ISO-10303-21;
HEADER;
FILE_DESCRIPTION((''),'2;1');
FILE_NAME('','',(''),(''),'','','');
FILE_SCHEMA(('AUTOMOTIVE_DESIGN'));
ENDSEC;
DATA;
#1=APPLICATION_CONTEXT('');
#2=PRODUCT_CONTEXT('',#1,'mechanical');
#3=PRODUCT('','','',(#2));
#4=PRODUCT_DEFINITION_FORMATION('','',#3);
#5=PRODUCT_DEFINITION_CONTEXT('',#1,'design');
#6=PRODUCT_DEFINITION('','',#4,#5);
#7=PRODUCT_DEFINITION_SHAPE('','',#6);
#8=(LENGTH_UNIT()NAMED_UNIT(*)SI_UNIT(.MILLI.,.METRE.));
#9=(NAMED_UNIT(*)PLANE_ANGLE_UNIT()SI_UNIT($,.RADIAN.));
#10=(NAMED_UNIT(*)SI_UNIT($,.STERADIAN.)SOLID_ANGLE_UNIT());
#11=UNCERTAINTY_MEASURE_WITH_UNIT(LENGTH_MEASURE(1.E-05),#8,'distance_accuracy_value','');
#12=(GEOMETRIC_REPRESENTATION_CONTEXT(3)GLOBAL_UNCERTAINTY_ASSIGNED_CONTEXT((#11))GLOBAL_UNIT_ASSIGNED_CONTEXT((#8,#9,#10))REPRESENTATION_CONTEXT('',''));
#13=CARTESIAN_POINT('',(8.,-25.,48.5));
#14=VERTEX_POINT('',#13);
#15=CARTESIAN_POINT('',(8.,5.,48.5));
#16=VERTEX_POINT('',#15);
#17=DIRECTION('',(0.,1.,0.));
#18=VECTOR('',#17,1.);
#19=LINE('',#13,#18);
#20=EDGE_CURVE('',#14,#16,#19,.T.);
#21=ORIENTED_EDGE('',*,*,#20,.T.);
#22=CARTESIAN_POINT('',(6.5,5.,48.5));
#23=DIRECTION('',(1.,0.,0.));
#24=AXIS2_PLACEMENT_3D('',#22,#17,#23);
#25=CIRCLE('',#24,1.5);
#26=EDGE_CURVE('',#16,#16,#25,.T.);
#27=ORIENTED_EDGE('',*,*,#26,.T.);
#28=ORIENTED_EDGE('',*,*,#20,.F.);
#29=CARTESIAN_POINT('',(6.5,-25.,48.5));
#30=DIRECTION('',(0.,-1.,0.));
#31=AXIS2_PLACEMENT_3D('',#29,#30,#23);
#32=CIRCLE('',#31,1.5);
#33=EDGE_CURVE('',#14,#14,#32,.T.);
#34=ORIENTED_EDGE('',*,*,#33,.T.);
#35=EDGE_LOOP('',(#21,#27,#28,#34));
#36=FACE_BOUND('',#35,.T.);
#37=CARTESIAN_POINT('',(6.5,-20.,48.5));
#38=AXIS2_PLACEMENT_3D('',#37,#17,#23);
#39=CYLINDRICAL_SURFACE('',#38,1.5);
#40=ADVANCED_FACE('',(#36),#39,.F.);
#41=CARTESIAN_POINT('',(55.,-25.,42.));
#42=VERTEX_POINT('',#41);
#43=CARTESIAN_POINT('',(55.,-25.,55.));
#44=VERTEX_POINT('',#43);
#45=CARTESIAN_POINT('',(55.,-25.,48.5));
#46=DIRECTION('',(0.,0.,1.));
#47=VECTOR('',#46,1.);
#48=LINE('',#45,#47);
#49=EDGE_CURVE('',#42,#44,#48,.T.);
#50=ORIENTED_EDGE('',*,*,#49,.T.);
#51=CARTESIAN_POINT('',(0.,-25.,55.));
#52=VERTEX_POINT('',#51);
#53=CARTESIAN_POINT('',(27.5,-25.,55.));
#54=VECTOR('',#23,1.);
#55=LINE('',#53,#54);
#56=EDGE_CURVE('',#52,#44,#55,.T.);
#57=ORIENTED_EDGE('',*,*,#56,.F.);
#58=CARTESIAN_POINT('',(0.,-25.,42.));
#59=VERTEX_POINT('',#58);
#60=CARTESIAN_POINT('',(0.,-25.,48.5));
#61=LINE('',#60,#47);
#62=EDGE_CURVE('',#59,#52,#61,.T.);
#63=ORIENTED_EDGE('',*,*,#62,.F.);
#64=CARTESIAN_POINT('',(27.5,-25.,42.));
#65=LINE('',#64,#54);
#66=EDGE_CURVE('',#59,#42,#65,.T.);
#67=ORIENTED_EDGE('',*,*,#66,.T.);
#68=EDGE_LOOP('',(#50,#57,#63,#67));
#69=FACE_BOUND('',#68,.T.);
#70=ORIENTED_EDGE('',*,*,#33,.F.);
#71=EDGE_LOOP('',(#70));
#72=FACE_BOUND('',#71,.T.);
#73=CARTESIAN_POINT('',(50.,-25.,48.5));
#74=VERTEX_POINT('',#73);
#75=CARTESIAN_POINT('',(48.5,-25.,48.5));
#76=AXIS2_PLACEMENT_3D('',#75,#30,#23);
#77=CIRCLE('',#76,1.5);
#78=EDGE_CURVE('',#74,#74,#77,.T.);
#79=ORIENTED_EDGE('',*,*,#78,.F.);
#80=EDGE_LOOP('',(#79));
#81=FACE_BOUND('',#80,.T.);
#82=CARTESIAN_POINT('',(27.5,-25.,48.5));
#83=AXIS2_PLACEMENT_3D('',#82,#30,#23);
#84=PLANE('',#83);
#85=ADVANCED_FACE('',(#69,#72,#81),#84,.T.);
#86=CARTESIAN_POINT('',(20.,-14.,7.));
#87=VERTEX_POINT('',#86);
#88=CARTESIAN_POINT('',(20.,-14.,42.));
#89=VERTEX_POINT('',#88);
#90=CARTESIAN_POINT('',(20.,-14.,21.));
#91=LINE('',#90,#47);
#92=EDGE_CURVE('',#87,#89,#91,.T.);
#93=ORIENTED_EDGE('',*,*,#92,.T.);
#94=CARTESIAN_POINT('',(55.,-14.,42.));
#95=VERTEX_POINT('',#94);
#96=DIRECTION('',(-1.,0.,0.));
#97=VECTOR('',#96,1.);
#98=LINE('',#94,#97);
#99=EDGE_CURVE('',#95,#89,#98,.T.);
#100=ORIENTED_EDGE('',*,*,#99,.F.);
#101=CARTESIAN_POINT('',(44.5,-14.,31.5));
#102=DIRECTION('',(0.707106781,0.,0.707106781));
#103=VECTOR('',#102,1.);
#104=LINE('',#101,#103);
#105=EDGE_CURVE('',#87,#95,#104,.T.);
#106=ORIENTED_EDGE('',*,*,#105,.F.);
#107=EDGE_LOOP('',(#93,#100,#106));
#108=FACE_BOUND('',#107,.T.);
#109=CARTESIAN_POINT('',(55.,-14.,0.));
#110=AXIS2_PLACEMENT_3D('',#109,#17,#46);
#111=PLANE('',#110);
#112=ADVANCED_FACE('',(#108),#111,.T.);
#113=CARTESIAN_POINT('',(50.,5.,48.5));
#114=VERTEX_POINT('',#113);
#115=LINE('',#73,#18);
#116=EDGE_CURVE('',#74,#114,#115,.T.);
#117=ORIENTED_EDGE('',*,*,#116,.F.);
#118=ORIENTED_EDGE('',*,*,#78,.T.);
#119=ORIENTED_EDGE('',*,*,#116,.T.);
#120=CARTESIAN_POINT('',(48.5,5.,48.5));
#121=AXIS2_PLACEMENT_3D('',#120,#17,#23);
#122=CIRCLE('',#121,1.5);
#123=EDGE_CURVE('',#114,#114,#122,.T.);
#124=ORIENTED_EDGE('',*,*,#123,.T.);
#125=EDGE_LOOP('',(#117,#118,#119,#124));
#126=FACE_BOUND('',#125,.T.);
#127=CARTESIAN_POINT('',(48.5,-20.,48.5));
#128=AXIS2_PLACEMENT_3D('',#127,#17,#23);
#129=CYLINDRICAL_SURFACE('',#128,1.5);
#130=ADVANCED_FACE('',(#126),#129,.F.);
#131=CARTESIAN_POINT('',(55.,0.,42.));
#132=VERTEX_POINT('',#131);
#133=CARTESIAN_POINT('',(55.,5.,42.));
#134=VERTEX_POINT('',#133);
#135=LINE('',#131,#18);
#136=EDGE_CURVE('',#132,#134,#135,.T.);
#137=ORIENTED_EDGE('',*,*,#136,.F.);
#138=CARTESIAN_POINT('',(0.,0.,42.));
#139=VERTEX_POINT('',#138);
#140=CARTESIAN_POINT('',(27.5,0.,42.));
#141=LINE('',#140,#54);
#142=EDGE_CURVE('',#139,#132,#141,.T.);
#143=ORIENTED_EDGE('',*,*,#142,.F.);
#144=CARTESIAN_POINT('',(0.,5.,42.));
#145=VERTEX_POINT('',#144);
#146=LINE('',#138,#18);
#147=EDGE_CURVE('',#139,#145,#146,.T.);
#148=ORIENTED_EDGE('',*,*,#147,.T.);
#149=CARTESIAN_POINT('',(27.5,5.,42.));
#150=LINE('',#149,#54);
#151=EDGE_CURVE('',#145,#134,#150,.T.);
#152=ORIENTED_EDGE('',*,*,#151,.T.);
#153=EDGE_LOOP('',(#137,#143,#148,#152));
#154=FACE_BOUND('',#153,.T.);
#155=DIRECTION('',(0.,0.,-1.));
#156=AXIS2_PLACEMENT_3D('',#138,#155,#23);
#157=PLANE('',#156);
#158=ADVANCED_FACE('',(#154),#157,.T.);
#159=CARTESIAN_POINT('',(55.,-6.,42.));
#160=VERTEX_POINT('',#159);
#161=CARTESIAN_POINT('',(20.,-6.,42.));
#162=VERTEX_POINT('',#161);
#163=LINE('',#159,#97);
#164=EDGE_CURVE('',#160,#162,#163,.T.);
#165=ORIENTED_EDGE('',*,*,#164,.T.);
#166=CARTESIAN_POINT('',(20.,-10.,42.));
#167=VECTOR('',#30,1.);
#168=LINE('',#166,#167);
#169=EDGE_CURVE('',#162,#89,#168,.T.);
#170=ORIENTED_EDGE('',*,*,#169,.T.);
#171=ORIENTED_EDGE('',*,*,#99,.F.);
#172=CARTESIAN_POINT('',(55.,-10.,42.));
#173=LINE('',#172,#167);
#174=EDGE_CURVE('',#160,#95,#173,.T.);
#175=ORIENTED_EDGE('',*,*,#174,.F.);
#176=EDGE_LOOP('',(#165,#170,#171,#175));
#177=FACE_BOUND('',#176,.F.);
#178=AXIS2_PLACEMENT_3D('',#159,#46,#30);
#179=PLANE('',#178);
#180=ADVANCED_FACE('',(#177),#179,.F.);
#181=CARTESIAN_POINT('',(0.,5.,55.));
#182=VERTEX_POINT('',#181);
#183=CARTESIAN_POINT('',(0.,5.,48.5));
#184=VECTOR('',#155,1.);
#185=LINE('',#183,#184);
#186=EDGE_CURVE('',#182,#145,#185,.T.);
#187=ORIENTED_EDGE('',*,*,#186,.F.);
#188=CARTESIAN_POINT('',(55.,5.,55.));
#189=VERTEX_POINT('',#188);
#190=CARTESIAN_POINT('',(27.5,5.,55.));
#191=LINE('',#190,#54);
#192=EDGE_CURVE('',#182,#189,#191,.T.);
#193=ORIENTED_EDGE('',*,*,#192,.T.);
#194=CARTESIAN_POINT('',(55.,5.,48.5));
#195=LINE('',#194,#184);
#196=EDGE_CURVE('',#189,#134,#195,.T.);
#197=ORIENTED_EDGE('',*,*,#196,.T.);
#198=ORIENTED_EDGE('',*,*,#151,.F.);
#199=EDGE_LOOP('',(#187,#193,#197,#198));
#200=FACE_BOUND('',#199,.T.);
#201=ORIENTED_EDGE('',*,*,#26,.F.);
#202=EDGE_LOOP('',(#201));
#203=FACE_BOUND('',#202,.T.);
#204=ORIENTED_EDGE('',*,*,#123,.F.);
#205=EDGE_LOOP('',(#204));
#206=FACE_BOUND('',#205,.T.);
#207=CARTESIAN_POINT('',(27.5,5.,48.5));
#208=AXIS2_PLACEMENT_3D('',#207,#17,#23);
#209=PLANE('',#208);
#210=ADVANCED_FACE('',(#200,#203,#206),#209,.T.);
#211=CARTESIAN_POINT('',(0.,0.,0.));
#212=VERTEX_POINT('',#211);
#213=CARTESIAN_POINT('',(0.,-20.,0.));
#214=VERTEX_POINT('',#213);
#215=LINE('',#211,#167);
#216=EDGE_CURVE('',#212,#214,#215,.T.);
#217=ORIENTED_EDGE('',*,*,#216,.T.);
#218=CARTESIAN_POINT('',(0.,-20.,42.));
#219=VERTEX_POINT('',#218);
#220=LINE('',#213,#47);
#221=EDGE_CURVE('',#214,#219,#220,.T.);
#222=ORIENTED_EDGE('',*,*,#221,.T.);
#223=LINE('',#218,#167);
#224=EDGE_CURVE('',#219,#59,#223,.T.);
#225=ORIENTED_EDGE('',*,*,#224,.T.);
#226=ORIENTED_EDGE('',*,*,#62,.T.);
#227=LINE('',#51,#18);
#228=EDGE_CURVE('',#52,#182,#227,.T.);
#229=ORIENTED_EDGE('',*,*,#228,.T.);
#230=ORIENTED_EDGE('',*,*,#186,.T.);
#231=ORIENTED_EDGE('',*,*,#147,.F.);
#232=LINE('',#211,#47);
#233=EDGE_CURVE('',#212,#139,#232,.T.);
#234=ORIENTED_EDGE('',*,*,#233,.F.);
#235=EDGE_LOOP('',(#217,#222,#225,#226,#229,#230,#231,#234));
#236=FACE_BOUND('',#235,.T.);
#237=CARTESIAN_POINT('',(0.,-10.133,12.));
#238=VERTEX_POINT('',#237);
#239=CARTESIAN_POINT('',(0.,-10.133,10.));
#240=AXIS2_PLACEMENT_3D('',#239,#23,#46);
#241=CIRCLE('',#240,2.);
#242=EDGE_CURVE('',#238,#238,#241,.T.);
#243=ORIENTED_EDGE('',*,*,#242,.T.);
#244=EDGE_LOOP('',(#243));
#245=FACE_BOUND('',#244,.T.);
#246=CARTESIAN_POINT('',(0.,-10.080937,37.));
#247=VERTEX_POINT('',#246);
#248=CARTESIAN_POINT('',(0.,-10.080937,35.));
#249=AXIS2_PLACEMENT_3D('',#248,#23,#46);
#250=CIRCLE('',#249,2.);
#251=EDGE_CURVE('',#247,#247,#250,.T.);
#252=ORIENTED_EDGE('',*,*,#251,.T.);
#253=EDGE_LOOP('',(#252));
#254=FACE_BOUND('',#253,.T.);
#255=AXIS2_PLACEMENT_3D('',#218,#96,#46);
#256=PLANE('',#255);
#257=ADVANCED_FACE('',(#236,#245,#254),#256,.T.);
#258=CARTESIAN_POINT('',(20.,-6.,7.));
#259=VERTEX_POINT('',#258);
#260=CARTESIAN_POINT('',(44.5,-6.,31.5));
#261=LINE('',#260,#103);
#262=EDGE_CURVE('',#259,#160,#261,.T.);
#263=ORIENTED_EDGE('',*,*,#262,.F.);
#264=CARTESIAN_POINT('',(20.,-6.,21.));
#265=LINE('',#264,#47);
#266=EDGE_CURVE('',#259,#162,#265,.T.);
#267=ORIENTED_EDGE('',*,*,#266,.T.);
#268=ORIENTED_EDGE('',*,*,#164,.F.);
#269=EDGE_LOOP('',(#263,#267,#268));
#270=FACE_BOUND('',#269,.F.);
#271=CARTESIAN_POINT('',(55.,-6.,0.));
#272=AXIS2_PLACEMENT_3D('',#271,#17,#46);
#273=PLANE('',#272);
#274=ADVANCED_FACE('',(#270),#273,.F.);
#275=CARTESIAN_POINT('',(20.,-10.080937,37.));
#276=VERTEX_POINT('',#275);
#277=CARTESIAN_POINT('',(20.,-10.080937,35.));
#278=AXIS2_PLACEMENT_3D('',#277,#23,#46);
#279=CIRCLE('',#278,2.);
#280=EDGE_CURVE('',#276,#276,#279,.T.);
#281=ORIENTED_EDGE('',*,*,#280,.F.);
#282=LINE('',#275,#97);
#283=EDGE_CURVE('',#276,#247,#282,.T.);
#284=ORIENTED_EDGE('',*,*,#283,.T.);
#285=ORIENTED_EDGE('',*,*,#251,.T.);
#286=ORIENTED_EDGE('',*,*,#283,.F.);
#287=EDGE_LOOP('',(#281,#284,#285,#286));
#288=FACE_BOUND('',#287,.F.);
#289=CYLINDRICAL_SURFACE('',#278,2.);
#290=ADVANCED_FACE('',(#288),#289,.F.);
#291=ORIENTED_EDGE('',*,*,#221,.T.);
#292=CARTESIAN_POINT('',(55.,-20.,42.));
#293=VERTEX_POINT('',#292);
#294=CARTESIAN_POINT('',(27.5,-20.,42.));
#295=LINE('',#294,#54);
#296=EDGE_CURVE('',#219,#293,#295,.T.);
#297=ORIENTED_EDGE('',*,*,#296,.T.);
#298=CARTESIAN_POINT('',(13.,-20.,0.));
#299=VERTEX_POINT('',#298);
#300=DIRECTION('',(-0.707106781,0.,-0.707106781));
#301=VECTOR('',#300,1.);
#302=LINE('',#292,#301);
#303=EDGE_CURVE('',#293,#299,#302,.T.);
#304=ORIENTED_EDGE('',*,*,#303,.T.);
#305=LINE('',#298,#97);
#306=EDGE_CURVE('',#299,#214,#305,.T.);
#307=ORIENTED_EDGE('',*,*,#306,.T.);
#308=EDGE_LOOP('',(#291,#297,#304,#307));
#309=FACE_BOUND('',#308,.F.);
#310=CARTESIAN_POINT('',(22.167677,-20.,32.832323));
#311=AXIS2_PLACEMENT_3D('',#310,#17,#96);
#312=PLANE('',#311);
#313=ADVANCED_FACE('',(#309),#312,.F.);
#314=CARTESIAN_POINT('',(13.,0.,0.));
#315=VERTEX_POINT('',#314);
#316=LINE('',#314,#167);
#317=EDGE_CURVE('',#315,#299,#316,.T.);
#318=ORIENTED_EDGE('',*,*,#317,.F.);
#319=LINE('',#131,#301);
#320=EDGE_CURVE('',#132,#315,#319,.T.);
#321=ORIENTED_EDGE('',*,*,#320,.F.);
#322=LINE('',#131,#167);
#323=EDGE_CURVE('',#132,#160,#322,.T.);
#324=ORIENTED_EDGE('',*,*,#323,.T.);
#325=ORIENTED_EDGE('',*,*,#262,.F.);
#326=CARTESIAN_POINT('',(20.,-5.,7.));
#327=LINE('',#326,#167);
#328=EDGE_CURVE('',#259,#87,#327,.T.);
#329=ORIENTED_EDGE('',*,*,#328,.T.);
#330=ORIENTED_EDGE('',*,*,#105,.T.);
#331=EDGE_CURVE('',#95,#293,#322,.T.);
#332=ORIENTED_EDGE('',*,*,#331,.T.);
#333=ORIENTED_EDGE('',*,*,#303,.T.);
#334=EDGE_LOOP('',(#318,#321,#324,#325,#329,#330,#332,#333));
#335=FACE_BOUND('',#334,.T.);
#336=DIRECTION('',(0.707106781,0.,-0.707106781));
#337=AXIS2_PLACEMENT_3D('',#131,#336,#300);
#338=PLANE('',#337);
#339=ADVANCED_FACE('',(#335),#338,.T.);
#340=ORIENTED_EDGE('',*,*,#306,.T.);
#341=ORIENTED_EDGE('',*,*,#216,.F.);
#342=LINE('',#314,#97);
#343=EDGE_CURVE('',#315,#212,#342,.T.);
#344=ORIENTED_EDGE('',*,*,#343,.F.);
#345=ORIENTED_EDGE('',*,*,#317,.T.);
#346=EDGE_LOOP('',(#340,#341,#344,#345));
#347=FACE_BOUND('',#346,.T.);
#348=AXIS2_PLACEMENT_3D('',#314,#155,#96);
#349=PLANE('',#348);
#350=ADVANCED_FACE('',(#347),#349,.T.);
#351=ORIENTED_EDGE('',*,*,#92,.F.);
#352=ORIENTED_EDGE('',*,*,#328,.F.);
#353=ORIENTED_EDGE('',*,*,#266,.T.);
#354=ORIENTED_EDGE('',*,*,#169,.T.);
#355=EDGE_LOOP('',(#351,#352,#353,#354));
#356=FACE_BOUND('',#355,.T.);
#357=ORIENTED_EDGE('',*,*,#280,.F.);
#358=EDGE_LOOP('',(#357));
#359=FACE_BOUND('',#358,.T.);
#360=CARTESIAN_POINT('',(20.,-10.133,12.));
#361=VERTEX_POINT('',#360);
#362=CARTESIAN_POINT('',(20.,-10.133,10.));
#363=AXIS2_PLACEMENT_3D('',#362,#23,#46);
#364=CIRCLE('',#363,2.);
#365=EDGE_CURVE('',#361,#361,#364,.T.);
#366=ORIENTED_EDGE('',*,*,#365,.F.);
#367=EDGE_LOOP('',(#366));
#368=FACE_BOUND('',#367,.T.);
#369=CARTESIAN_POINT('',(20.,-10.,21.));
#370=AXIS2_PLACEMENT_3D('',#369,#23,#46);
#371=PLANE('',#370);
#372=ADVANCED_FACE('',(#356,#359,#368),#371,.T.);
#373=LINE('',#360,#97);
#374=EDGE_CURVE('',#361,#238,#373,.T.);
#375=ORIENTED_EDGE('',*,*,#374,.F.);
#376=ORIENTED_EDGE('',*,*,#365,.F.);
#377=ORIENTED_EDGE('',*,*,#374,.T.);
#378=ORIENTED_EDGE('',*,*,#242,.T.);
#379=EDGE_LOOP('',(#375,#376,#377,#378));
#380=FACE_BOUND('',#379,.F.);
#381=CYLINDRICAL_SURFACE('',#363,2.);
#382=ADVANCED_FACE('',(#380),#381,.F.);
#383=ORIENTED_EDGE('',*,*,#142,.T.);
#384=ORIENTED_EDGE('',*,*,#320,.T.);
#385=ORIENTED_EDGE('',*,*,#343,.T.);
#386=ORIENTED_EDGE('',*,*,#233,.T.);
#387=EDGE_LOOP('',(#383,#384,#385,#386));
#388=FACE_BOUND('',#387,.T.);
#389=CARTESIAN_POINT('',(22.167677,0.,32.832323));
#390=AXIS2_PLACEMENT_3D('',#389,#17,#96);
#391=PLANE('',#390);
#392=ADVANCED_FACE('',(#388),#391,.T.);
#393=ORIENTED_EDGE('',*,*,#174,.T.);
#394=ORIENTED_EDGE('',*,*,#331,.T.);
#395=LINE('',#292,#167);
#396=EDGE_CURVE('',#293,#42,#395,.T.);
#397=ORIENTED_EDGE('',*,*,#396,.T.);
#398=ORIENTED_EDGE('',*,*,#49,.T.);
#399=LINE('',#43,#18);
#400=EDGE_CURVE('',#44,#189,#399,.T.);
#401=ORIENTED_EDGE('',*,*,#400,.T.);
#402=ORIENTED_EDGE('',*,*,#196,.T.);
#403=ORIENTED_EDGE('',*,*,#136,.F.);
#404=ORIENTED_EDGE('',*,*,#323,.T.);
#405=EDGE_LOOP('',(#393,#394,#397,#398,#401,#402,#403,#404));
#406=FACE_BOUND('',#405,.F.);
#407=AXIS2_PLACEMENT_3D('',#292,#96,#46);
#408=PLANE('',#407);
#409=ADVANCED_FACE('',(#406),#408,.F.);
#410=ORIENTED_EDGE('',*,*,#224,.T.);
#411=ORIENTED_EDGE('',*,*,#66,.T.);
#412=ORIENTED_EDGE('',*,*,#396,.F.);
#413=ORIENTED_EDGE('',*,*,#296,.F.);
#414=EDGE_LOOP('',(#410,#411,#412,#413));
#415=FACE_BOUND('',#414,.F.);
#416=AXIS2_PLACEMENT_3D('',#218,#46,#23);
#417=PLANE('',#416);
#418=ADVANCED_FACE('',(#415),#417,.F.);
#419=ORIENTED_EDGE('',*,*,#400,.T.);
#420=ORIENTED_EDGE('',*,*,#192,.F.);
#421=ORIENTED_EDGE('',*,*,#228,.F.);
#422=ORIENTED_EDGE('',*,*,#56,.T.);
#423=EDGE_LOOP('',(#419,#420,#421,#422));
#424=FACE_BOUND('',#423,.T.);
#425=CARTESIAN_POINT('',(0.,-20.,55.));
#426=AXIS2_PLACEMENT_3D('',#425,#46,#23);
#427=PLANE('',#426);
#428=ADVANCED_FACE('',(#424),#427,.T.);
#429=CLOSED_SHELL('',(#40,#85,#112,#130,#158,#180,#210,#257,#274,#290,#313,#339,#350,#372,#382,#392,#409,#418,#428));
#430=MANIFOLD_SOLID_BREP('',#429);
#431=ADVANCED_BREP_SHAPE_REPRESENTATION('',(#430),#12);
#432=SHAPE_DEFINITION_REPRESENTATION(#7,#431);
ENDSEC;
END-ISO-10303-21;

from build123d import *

# Parameters (mm, degrees)
PAD_DEPTH     = 20
SKETCH001_W   = 42
SKETCH001_H   = 8
POCKET_DEPTH  = 35
SKETCH002_R   = 2
HOLE_DEPTH    = 25
SKETCH003_R   = 1.5
HOLE001_DEPTH = 25
SKETCH004_W   = 55
SKETCH004_H   = 13
SKETCH004_R   = 1.5
PAD001_DEPTH  = 5
SKETCH005_W   = 55
SKETCH005_H   = 13
SKETCH005_R   = 1.5
PAD002_DEPTH  = 5


with BuildPart() as part:
    # Sketch → Pad (new body)
    with BuildSketch(Plane.XZ):
        Polygon((0, 0), (0, 55), (55, 55), (55, 42), (13, 0), align=None)
    extrude(amount=PAD_DEPTH)

    # Sketch001 (on Face3 of Pad) → Pocket (cut)
    with BuildSketch(Plane(origin=(55, 0, 0), x_dir=(0, 0, 1), z_dir=(1, 0, 0))):
        with Locations((21, 10)):
            Rectangle(SKETCH001_W, SKETCH001_H)
    extrude(amount=-POCKET_DEPTH, mode=Mode.SUBTRACT)

    # Sketch002 (on Face9 of Pocket) → Hole (cut)
    with BuildSketch(Plane(origin=(20, 0, 0), x_dir=(0, 0, 1), z_dir=(1, 0, 0))):
        with Locations((10, 10.133)):
            Circle(SKETCH002_R)
        with Locations((35, 10.080937)):
            Circle(SKETCH002_R)
    extrude(amount=-HOLE_DEPTH, mode=Mode.SUBTRACT)

    # Sketch003 (on Face4 of Hole) → Hole001 (cut)
    with BuildSketch(Plane.XZ.offset(20)):
        with Locations((6.5, 48.5)):
            Circle(SKETCH003_R)
        with Locations((48.5, 48.5)):
            Circle(SKETCH003_R)
    extrude(amount=-HOLE001_DEPTH, mode=Mode.SUBTRACT)

    # Sketch004 (on Face3 of Hole001) → Pad001 (join)
    with BuildSketch(Plane(origin=(0, 0, 0), x_dir=(1, 0, 0), z_dir=(0, 1, 0))):
        with Locations((27.5, -48.5)):
            Rectangle(SKETCH004_W, SKETCH004_H)
        with Locations((6.5, -48.5)):
            Circle(SKETCH004_R, mode=Mode.SUBTRACT)
        with Locations((48.5, -48.5)):
            Circle(SKETCH004_R, mode=Mode.SUBTRACT)
    extrude(amount=PAD001_DEPTH)

    # Sketch005 (on Face3 of Pad001) → Pad002 (join)
    with BuildSketch(Plane.XZ.offset(20)):
        with Locations((27.5, 48.5)):
            Rectangle(SKETCH005_W, SKETCH005_H)
        with Locations((6.5, 48.5)):
            Circle(SKETCH005_R, mode=Mode.SUBTRACT)
        with Locations((48.5, 48.5)):
            Circle(SKETCH005_R, mode=Mode.SUBTRACT)
    extrude(amount=PAD002_DEPTH)


solid = part.part
